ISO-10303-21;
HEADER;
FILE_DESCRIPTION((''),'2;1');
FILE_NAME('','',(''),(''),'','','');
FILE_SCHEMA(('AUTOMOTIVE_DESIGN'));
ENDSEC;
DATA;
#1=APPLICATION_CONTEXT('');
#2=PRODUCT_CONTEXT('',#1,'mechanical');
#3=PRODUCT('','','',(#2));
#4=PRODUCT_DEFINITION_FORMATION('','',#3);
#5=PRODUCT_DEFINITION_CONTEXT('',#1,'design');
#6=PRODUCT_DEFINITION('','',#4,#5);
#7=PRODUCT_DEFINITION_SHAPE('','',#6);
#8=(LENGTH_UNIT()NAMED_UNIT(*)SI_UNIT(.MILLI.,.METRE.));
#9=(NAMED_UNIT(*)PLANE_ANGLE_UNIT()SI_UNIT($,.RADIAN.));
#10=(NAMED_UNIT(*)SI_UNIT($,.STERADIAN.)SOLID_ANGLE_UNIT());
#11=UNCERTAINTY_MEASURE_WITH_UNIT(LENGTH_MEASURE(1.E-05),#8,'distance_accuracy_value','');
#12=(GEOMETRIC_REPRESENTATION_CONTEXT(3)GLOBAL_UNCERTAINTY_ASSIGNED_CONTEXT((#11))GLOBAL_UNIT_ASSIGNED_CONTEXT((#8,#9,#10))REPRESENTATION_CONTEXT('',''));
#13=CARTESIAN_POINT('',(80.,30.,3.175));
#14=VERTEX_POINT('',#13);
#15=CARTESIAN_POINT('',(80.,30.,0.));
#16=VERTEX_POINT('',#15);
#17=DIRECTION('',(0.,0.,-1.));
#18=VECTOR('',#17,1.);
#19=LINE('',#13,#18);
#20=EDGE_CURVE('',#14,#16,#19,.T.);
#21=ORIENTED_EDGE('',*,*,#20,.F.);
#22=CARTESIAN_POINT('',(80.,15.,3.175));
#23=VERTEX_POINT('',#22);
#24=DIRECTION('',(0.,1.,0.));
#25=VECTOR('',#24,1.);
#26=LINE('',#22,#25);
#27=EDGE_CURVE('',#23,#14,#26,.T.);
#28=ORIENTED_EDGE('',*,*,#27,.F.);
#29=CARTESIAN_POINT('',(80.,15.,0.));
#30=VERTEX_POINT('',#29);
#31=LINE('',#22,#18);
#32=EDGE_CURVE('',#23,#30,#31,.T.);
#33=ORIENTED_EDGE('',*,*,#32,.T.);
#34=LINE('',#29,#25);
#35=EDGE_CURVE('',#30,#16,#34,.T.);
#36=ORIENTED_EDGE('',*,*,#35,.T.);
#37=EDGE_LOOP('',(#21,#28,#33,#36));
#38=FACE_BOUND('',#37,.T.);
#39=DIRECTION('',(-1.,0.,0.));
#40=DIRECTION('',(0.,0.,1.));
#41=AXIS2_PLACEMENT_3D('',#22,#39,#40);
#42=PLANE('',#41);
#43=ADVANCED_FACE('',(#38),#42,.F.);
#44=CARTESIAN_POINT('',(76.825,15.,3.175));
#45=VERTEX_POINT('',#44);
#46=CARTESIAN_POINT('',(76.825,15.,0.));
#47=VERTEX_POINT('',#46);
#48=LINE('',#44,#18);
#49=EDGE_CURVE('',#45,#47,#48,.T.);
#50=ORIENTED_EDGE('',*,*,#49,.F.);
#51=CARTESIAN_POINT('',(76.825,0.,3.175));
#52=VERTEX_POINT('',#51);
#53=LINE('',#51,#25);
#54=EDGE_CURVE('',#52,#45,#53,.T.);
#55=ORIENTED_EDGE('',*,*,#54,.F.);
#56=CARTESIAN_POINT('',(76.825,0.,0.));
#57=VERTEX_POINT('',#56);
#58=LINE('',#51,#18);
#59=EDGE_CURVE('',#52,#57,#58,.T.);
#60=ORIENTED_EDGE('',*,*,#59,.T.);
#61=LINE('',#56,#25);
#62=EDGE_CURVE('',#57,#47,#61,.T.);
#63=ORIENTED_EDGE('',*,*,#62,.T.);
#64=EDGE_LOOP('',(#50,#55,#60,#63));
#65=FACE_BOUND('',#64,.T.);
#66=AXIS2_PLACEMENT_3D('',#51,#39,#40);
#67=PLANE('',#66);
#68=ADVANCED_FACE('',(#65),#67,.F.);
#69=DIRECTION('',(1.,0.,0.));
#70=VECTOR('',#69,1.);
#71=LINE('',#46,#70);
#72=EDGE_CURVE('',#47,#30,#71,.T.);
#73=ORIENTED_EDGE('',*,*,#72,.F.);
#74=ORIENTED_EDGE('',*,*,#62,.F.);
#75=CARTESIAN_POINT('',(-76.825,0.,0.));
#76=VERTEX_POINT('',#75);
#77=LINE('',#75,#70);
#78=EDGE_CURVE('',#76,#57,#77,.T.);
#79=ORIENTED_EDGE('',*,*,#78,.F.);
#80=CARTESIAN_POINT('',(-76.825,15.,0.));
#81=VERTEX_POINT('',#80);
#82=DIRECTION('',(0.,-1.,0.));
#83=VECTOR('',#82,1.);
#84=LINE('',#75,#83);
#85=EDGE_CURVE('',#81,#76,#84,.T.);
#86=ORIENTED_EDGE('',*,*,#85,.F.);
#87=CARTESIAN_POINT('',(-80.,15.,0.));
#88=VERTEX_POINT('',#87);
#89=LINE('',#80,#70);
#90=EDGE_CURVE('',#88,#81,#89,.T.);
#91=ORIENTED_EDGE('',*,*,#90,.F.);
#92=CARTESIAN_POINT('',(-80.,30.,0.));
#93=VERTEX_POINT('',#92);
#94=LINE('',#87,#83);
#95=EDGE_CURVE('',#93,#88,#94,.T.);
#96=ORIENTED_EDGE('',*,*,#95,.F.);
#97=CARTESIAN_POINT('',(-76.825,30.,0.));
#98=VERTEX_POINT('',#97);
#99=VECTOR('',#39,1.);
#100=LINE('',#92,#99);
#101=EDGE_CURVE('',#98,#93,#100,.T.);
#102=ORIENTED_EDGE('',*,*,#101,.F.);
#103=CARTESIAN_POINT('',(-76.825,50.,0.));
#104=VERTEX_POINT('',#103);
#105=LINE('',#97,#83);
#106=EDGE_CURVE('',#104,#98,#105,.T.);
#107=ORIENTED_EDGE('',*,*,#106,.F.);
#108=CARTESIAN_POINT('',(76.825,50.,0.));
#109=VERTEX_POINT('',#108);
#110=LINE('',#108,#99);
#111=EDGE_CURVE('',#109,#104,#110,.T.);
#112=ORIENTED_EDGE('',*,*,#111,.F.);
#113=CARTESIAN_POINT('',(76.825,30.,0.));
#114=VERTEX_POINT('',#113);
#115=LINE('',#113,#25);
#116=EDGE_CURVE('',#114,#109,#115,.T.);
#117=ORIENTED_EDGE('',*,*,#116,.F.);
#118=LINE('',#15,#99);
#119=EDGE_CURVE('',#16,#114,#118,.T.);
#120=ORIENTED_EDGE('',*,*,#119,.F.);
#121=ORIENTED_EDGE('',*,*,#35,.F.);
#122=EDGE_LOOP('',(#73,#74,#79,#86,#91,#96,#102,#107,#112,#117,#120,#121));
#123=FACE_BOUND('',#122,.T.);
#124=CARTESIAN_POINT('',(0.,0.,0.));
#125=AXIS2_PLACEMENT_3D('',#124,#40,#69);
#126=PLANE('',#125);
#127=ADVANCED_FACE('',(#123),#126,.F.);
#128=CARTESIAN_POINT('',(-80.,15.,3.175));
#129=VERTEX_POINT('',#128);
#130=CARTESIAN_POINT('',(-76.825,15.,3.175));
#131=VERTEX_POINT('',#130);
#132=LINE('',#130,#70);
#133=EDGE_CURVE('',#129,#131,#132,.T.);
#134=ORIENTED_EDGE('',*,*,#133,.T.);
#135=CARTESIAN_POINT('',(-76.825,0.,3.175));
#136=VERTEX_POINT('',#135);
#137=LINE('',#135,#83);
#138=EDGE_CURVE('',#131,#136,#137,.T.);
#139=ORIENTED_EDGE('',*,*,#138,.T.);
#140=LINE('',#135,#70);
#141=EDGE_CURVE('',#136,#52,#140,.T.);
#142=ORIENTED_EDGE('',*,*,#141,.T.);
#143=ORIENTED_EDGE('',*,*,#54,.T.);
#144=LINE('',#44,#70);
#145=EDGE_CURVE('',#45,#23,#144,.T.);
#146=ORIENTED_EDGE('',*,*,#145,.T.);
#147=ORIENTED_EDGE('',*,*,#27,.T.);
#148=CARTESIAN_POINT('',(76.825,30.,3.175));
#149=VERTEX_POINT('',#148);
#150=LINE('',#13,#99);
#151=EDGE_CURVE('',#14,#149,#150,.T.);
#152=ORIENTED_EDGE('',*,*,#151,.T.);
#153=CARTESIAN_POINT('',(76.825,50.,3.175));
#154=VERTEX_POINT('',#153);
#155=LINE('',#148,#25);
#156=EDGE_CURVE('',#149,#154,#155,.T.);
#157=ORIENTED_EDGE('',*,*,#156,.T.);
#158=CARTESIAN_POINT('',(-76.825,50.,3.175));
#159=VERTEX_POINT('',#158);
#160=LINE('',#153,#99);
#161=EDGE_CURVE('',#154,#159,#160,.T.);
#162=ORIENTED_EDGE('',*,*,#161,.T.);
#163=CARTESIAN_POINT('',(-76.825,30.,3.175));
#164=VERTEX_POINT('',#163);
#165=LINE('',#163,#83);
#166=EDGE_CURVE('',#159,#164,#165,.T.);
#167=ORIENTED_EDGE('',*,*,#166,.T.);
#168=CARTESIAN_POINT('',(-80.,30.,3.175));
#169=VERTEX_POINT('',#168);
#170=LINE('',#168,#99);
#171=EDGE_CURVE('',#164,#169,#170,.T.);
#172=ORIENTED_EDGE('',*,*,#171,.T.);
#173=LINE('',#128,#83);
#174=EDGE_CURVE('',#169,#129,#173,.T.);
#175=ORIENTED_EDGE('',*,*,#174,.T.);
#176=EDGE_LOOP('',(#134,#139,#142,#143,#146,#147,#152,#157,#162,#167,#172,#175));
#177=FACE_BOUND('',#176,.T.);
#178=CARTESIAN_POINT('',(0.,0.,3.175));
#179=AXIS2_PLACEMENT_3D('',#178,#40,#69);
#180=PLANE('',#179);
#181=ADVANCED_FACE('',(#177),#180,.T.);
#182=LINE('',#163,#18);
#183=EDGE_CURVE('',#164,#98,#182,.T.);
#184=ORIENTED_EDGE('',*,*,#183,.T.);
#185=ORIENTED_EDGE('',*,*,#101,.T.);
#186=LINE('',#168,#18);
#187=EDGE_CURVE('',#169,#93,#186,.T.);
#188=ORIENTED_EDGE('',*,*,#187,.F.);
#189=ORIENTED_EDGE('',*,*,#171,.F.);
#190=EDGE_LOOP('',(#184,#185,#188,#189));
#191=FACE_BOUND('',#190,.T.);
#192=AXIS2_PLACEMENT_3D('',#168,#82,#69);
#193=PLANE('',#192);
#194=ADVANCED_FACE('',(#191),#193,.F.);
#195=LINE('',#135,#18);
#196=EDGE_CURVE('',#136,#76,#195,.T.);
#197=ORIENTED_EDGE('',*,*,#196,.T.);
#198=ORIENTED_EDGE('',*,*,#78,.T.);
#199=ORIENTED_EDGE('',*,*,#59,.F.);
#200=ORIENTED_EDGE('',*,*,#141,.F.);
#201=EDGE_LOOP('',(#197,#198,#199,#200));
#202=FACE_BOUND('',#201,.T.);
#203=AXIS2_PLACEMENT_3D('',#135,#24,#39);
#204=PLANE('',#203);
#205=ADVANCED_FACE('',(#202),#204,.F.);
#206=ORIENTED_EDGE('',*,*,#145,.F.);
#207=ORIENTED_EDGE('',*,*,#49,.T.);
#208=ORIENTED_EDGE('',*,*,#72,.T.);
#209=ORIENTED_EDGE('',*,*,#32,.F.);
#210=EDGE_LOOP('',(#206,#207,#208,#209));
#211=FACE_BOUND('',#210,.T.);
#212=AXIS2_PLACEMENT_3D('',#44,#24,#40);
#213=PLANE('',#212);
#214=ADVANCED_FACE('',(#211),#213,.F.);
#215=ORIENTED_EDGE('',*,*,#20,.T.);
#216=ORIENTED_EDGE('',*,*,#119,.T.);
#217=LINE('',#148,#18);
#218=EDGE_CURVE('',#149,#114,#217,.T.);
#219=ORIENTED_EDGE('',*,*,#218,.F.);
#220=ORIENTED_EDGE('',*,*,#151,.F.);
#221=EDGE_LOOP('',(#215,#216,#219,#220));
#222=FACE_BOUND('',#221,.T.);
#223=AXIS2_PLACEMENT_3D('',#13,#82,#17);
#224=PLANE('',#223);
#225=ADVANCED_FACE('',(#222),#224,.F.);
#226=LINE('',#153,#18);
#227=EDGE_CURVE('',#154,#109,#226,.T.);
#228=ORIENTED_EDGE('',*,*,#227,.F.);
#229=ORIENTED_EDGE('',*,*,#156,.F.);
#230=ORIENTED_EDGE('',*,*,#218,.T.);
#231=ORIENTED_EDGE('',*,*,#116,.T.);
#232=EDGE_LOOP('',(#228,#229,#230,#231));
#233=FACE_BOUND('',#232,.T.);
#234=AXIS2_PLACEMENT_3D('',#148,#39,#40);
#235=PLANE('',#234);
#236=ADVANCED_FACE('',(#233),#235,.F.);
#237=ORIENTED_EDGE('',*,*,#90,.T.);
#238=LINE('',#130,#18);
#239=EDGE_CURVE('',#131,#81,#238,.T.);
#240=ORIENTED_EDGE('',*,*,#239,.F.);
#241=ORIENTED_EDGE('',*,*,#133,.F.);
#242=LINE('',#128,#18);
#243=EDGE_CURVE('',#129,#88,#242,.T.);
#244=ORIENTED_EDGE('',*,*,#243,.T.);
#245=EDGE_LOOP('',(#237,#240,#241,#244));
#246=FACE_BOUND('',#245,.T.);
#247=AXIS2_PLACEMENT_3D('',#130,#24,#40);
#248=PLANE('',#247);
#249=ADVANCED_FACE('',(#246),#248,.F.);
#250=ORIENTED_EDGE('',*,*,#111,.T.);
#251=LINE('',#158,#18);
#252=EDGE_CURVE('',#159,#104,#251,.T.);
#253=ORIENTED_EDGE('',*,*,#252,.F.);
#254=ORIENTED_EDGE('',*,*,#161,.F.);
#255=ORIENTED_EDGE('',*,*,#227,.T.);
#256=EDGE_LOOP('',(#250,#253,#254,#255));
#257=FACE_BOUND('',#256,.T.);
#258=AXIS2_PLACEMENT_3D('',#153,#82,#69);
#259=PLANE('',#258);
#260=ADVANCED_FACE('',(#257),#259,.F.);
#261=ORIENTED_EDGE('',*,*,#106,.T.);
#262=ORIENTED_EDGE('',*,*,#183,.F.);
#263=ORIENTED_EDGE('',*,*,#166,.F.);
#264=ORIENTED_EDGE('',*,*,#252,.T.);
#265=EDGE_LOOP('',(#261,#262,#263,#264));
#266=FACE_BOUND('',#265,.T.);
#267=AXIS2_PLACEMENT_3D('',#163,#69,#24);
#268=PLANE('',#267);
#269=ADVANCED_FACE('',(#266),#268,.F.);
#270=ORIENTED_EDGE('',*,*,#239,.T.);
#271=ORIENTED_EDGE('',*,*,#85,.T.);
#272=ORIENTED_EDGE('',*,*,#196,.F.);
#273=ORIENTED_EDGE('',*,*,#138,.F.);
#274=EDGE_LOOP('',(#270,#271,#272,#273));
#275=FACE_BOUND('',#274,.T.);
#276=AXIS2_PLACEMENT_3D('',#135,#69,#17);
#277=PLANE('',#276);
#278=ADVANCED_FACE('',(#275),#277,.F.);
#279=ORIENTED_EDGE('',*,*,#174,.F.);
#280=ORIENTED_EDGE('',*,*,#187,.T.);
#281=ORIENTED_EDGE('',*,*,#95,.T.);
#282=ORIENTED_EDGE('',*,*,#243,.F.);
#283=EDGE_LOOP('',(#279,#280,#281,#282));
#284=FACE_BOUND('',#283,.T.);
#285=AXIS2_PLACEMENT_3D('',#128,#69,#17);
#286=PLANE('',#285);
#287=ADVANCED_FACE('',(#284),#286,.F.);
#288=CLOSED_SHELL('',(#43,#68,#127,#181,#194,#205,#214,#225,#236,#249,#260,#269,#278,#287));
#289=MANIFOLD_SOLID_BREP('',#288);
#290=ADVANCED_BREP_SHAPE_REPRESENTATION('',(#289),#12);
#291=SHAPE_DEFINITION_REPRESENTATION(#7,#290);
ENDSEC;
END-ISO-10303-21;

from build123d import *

# Parameters (mm, degrees)
BOSS_EXTRUDE1_DEPTH = 3.175


with BuildPart() as part:
    # Sketch1 → Boss-Extrude1 (new body)
    with BuildSketch(Plane.XY):
        Polygon((-76.825, 0), (76.825, 0), (76.825, 15), (80, 15), (80, 30), (76.825, 30), (76.825, 50), (-76.825, 50), (-76.825, 30), (-80, 30), (-80, 15), (-76.825, 15), align=None)
    extrude(amount=BOSS_EXTRUDE1_DEPTH)


solid = part.part
